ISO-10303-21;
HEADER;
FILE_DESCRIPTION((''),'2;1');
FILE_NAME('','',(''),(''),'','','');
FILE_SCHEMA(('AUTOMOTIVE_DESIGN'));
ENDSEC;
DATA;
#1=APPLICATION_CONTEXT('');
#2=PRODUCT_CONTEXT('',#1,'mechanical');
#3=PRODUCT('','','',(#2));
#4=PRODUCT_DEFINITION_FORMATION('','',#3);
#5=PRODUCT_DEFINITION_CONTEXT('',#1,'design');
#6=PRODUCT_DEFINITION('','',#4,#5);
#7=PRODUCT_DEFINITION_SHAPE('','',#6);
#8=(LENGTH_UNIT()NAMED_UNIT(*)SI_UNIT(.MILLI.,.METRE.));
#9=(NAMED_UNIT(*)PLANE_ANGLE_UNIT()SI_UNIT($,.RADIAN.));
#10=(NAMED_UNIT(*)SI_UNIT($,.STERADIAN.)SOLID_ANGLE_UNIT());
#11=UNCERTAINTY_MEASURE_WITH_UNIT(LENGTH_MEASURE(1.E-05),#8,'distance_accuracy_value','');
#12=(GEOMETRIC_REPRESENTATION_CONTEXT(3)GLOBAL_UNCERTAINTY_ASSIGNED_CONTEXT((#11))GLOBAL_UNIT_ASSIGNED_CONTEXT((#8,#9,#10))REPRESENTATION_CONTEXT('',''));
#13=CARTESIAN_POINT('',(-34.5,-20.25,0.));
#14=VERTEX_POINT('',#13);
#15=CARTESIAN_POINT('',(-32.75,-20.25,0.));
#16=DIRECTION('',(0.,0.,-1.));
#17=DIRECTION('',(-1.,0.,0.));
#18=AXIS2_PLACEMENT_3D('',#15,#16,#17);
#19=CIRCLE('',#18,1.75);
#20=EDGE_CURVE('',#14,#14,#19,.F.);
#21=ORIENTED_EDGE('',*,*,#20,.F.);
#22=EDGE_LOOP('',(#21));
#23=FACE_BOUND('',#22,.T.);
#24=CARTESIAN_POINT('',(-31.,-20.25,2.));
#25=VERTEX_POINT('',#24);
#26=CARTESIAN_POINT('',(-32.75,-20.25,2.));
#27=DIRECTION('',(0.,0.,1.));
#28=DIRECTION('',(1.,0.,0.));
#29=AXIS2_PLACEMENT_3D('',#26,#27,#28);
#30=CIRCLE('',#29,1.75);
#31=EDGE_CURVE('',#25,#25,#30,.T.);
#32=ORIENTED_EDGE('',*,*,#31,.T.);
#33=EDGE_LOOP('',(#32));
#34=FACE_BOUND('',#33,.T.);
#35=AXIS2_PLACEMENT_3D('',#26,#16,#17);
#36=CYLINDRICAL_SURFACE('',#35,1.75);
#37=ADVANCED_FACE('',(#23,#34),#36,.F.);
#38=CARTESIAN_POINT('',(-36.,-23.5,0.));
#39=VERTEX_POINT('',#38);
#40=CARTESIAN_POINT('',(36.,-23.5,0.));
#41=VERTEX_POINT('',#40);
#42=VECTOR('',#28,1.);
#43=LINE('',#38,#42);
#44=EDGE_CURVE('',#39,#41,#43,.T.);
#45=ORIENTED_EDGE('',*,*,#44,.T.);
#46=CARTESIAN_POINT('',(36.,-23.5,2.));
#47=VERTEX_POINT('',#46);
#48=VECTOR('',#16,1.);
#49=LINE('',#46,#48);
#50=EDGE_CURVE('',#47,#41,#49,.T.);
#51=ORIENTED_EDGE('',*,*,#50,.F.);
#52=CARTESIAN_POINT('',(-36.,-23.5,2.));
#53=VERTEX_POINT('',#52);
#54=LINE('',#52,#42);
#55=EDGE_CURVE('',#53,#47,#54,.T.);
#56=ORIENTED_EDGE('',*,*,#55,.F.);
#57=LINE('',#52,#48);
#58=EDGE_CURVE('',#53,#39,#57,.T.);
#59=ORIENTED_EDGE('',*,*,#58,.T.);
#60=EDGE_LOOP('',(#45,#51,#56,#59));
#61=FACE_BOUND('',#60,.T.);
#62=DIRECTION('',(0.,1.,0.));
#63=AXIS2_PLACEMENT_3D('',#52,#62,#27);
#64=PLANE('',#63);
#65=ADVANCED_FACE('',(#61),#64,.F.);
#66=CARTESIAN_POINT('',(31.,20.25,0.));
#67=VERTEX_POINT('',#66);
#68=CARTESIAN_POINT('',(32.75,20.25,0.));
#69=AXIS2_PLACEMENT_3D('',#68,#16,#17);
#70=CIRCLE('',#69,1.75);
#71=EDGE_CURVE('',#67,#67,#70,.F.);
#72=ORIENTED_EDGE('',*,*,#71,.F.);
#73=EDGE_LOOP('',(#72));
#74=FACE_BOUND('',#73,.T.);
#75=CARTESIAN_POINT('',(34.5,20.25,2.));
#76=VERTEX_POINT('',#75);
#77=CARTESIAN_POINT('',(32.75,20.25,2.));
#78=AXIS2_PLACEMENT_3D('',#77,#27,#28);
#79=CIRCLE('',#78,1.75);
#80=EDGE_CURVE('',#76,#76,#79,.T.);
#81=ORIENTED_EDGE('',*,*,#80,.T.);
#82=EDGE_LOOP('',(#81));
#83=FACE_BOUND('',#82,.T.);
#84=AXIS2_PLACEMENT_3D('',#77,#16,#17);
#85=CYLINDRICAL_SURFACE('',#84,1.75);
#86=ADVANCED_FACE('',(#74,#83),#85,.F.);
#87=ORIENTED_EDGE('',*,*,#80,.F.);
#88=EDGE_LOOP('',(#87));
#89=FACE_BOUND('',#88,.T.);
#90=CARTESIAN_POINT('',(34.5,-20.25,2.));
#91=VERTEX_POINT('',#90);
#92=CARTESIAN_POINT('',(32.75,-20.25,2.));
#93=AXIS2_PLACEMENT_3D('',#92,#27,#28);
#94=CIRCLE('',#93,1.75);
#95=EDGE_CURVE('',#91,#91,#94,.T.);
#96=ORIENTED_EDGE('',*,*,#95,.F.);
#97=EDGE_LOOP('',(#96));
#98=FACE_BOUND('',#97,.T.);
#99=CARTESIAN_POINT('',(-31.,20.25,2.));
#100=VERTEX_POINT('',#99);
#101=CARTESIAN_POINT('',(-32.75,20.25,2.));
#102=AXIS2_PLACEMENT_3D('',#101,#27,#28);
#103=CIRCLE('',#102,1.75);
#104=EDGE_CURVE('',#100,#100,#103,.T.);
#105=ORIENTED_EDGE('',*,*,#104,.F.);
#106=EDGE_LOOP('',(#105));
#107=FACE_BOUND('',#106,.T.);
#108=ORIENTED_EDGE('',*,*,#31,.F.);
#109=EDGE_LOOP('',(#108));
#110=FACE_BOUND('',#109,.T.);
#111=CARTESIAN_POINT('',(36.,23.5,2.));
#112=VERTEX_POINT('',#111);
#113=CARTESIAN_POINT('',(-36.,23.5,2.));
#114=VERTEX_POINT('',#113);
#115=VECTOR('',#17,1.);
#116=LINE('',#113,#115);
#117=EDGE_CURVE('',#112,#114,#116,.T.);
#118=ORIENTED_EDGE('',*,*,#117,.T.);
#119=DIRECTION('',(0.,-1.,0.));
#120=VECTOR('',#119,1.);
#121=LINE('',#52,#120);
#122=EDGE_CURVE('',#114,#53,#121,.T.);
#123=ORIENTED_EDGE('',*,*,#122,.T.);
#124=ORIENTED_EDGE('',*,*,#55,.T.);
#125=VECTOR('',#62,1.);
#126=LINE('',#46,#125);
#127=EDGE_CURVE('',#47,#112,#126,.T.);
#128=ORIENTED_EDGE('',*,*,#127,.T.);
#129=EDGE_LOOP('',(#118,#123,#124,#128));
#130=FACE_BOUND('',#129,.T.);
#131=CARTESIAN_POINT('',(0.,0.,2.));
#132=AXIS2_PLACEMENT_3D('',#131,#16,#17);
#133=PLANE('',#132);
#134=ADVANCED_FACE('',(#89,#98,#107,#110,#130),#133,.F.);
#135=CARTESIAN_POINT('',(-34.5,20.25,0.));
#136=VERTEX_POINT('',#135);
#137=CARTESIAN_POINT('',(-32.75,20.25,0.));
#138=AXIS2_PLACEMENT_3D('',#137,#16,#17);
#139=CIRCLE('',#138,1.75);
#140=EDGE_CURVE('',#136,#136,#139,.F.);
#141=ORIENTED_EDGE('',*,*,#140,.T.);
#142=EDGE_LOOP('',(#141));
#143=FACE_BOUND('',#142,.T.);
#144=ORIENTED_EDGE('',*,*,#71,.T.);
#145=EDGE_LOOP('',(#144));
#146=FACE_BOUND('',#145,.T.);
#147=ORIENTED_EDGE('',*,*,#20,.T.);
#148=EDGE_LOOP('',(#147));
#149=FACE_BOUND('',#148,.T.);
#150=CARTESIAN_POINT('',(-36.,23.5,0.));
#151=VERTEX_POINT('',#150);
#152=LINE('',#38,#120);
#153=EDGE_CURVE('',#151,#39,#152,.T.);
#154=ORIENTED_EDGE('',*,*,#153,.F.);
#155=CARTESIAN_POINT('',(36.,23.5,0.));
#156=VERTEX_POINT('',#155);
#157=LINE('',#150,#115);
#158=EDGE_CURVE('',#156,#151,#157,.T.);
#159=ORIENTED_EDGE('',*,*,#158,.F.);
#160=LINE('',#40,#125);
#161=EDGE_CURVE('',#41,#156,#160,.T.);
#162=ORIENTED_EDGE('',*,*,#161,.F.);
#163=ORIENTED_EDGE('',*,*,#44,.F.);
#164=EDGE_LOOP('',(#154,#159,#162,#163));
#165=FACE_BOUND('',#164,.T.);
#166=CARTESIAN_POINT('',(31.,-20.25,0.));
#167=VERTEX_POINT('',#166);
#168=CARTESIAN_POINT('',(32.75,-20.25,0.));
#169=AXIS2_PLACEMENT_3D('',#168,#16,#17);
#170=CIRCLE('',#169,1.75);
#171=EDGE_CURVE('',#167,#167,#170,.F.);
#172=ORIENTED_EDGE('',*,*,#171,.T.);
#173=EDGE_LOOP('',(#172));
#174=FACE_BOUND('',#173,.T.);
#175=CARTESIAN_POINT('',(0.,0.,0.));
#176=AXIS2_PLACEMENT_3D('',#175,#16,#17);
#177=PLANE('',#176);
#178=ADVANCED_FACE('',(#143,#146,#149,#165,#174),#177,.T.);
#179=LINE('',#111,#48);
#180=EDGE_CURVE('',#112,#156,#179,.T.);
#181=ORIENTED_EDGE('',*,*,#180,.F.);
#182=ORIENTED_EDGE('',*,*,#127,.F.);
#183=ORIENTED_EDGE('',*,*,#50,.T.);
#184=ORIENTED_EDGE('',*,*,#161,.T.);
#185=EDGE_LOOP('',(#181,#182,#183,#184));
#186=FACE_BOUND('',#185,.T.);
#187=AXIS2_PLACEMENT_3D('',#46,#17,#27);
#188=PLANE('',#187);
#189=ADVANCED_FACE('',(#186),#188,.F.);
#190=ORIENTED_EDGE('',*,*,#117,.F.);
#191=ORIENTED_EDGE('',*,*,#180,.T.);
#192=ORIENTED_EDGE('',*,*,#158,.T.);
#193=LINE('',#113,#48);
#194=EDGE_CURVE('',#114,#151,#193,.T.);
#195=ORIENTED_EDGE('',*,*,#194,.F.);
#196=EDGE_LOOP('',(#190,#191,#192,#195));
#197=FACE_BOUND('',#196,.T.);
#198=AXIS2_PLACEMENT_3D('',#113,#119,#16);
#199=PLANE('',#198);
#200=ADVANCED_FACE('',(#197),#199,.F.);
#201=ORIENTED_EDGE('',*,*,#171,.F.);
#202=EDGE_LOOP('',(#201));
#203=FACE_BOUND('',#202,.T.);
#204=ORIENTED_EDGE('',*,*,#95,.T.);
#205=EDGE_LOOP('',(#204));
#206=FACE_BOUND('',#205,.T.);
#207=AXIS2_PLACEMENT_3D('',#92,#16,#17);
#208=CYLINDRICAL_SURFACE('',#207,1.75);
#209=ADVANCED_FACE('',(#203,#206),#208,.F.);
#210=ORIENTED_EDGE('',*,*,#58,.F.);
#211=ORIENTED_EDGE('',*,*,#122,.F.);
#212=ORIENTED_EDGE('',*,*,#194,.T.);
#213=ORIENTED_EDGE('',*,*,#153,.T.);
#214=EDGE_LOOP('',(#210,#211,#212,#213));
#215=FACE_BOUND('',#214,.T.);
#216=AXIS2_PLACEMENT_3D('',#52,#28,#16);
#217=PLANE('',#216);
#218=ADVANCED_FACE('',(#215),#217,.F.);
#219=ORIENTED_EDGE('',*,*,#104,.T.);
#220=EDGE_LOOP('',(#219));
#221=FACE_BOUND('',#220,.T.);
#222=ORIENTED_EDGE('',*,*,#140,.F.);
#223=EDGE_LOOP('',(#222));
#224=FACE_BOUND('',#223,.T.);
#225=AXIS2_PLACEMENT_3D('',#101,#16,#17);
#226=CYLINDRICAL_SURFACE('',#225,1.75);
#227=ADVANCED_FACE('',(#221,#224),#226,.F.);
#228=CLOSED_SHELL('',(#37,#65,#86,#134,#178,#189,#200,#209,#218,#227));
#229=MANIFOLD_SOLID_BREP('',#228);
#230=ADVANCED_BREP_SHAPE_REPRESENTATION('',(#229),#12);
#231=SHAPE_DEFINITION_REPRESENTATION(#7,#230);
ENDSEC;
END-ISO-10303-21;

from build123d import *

# Parameters (mm, degrees)
SKETCH1_W               = 72
SKETCH1_H               = 47
BOSS_EXTRUDE1_DEPTH     = 2
SKETCH2_R               = 1.75
CUT_EXTRUDE1_DEPTH      = 3
CUT_EXTRUDE1_DEPTH_BACK = 1


with BuildPart() as part:
    # Sketch1 → Boss-Extrude1 (new body)
    with BuildSketch(Plane.XY):
        Rectangle(SKETCH1_W, SKETCH1_H)
    extrude(amount=BOSS_EXTRUDE1_DEPTH)

    # Sketch2 → Cut-Extrude1 (cut, two sides)
    with BuildSketch(Plane.XY) as cut_extrude1_sk:
        with Locations((-32.75, 20.25)):
            Circle(SKETCH2_R)
        with Locations((32.75, 20.25)):
            Circle(SKETCH2_R)
        with Locations((32.75, -20.25)):
            Circle(SKETCH2_R)
        with Locations((-32.75, -20.25)):
            Circle(SKETCH2_R)
    extrude(amount=CUT_EXTRUDE1_DEPTH, mode=Mode.SUBTRACT)
    extrude(cut_extrude1_sk.sketch, amount=-CUT_EXTRUDE1_DEPTH_BACK, mode=Mode.SUBTRACT)


solid = part.part
